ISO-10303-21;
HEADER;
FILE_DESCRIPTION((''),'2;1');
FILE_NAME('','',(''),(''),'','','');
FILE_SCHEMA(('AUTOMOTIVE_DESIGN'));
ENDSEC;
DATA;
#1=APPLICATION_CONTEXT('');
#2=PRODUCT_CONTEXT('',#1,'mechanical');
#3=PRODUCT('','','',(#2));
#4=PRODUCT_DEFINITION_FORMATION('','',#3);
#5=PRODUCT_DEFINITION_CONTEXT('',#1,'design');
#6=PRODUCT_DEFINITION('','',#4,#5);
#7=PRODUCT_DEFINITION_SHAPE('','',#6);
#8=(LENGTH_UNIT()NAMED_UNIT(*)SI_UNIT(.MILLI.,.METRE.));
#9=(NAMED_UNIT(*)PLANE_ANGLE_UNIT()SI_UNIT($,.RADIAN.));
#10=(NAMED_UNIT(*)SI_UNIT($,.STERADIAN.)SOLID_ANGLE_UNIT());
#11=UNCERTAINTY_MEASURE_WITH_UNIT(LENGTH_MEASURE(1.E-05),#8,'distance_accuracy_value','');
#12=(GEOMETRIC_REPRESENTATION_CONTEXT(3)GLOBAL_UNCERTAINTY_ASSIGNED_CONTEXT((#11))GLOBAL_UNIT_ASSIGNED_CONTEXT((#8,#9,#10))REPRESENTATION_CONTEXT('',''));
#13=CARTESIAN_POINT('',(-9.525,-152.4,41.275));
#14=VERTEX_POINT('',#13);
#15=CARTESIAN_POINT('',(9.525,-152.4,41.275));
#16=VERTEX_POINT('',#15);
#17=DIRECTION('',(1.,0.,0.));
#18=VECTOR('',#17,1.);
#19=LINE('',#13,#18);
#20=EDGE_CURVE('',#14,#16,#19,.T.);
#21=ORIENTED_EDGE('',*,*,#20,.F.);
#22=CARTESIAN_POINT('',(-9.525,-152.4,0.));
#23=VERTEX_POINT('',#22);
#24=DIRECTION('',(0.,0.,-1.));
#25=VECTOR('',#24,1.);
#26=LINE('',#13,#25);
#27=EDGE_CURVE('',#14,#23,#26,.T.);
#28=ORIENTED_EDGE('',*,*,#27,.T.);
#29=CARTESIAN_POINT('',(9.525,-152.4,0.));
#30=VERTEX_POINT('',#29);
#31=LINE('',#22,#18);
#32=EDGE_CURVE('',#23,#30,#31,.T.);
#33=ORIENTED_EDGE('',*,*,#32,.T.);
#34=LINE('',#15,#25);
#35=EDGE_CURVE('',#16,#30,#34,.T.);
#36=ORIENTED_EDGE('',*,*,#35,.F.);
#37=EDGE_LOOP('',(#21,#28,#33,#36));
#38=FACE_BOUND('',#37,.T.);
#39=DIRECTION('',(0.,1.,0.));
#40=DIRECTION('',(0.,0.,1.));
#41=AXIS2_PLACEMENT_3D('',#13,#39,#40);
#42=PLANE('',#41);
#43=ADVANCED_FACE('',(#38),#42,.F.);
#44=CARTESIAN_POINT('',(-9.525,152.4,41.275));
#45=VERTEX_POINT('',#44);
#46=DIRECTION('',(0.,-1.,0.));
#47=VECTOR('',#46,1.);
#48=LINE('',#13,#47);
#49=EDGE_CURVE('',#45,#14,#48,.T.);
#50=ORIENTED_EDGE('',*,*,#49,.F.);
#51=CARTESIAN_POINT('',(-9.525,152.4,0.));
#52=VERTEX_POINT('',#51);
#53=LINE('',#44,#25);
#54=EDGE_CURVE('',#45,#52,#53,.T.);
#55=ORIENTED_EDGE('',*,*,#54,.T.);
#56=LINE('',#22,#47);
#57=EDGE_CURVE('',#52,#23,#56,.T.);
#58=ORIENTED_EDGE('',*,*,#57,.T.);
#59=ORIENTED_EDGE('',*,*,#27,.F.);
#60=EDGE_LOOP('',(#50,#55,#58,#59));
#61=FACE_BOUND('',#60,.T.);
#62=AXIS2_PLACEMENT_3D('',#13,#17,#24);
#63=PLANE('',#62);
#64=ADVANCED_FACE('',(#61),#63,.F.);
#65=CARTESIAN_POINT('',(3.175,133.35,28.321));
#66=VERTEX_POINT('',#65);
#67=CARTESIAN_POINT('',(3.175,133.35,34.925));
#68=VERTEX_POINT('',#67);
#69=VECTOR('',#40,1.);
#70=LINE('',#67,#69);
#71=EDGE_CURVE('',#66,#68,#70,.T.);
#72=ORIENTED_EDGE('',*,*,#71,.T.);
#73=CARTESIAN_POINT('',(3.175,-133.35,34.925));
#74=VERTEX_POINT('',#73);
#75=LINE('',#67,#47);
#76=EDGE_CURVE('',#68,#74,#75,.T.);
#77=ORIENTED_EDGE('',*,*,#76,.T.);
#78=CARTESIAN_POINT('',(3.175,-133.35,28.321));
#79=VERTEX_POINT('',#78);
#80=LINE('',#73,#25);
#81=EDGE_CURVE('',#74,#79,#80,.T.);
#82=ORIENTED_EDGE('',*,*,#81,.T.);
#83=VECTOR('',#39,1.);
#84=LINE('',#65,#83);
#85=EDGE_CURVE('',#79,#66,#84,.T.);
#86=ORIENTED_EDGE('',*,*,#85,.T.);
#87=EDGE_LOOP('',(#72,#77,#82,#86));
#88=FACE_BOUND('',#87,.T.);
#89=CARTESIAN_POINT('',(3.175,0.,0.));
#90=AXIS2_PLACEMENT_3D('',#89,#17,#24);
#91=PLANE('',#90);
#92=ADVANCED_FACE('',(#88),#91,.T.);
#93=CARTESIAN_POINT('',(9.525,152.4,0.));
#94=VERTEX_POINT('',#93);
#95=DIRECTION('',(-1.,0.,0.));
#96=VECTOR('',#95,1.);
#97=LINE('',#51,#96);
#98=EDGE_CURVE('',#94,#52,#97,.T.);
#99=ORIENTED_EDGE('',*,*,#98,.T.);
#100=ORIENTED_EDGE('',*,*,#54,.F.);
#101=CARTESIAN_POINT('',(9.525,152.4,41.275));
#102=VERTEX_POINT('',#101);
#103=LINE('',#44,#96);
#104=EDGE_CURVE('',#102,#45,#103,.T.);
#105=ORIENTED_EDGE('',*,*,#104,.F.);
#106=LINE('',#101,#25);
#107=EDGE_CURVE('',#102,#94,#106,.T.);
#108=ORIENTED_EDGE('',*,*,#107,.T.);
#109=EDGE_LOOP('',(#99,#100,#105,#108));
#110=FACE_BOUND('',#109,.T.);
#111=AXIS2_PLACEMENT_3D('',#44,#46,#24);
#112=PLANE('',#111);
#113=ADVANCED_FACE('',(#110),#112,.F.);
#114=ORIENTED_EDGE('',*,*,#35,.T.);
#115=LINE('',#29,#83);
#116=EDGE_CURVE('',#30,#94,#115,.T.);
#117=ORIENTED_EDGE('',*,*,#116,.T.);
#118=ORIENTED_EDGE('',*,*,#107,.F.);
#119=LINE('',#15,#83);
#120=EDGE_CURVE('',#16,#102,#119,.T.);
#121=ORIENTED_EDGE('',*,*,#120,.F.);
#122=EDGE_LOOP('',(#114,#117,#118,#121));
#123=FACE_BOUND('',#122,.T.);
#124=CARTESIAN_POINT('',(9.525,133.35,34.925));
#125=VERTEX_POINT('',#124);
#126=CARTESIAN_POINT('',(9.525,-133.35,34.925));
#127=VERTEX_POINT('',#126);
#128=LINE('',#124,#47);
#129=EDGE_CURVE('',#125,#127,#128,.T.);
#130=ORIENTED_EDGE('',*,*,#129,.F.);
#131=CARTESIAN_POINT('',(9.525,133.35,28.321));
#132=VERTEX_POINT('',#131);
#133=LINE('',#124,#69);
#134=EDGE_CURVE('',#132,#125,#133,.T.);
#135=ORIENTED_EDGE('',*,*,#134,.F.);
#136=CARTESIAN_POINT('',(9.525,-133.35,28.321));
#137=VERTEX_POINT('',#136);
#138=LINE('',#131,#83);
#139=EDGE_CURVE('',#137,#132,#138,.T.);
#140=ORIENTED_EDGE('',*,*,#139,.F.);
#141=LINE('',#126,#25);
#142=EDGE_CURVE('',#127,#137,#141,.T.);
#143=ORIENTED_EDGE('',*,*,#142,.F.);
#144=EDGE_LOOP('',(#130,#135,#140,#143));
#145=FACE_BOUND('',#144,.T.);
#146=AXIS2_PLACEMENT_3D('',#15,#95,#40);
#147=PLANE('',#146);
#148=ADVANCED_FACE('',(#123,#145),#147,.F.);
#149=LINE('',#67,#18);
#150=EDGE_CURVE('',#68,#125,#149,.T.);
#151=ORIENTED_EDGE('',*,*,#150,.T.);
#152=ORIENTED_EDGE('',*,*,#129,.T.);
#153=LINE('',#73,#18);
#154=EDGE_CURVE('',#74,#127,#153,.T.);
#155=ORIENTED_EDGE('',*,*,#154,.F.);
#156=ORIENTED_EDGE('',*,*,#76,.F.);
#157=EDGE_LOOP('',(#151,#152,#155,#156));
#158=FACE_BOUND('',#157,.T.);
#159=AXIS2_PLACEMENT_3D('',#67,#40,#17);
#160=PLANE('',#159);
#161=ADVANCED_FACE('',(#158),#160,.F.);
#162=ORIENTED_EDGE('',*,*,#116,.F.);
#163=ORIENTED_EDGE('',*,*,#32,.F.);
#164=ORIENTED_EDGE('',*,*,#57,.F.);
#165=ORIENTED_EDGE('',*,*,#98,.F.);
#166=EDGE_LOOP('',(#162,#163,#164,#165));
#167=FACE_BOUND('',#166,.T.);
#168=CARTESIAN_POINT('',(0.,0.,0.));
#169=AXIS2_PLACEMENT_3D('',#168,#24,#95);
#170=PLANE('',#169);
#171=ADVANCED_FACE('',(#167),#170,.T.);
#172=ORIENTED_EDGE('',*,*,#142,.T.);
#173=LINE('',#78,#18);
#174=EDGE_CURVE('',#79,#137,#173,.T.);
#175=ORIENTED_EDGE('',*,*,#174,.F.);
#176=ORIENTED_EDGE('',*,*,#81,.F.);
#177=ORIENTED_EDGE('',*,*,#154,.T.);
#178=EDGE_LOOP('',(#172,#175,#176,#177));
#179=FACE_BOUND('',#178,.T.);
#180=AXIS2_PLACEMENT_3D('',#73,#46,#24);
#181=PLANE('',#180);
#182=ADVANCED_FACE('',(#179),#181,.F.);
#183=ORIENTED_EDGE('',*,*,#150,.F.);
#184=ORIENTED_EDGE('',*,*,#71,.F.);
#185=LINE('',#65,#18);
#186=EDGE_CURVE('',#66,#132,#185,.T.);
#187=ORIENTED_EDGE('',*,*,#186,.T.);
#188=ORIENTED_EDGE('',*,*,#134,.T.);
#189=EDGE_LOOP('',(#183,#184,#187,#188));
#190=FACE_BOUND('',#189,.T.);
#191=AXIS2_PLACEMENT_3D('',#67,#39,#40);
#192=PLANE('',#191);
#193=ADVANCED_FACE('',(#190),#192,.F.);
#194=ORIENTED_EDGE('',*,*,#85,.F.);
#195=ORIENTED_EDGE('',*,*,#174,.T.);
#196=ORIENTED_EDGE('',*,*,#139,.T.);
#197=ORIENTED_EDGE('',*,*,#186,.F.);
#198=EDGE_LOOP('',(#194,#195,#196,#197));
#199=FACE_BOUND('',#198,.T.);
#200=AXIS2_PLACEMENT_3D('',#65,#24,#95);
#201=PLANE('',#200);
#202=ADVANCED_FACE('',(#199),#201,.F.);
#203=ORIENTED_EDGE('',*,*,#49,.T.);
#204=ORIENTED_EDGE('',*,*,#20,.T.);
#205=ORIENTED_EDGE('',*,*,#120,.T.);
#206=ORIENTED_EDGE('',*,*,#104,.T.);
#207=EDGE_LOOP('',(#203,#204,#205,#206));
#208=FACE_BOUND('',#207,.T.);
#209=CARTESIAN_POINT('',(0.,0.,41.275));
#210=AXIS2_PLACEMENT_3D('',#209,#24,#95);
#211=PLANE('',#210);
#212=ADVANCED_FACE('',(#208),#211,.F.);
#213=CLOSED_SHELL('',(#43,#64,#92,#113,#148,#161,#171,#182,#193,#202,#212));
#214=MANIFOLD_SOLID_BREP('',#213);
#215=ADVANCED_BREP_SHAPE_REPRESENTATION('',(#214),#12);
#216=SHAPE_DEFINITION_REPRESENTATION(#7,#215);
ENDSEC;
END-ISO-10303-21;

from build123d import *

# Parameters (mm, degrees)
SKETCH1_W           = 19.05
SKETCH1_H           = 304.8
BOSS_EXTRUDE1_DEPTH = 41.275
SKETCH2_W           = 6.604
SKETCH2_H           = 266.7
CUT_EXTRUDE1_DEPTH  = 6.35


with BuildPart() as part:
    # Sketch1 → Boss-Extrude1 (new body)
    with BuildSketch(Plane.XY):
        Rectangle(SKETCH1_W, SKETCH1_H)
    extrude(amount=BOSS_EXTRUDE1_DEPTH)

    # Sketch2 → Cut-Extrude1 (cut)
    with BuildSketch(Plane(origin=(9.525, 0, 0), x_dir=(0, 0, -1), z_dir=(1, 0, 0))):
        with Locations((-31.623, 0)):
            Rectangle(SKETCH2_W, SKETCH2_H)
    extrude(amount=-CUT_EXTRUDE1_DEPTH, mode=Mode.SUBTRACT)


solid = part.part
